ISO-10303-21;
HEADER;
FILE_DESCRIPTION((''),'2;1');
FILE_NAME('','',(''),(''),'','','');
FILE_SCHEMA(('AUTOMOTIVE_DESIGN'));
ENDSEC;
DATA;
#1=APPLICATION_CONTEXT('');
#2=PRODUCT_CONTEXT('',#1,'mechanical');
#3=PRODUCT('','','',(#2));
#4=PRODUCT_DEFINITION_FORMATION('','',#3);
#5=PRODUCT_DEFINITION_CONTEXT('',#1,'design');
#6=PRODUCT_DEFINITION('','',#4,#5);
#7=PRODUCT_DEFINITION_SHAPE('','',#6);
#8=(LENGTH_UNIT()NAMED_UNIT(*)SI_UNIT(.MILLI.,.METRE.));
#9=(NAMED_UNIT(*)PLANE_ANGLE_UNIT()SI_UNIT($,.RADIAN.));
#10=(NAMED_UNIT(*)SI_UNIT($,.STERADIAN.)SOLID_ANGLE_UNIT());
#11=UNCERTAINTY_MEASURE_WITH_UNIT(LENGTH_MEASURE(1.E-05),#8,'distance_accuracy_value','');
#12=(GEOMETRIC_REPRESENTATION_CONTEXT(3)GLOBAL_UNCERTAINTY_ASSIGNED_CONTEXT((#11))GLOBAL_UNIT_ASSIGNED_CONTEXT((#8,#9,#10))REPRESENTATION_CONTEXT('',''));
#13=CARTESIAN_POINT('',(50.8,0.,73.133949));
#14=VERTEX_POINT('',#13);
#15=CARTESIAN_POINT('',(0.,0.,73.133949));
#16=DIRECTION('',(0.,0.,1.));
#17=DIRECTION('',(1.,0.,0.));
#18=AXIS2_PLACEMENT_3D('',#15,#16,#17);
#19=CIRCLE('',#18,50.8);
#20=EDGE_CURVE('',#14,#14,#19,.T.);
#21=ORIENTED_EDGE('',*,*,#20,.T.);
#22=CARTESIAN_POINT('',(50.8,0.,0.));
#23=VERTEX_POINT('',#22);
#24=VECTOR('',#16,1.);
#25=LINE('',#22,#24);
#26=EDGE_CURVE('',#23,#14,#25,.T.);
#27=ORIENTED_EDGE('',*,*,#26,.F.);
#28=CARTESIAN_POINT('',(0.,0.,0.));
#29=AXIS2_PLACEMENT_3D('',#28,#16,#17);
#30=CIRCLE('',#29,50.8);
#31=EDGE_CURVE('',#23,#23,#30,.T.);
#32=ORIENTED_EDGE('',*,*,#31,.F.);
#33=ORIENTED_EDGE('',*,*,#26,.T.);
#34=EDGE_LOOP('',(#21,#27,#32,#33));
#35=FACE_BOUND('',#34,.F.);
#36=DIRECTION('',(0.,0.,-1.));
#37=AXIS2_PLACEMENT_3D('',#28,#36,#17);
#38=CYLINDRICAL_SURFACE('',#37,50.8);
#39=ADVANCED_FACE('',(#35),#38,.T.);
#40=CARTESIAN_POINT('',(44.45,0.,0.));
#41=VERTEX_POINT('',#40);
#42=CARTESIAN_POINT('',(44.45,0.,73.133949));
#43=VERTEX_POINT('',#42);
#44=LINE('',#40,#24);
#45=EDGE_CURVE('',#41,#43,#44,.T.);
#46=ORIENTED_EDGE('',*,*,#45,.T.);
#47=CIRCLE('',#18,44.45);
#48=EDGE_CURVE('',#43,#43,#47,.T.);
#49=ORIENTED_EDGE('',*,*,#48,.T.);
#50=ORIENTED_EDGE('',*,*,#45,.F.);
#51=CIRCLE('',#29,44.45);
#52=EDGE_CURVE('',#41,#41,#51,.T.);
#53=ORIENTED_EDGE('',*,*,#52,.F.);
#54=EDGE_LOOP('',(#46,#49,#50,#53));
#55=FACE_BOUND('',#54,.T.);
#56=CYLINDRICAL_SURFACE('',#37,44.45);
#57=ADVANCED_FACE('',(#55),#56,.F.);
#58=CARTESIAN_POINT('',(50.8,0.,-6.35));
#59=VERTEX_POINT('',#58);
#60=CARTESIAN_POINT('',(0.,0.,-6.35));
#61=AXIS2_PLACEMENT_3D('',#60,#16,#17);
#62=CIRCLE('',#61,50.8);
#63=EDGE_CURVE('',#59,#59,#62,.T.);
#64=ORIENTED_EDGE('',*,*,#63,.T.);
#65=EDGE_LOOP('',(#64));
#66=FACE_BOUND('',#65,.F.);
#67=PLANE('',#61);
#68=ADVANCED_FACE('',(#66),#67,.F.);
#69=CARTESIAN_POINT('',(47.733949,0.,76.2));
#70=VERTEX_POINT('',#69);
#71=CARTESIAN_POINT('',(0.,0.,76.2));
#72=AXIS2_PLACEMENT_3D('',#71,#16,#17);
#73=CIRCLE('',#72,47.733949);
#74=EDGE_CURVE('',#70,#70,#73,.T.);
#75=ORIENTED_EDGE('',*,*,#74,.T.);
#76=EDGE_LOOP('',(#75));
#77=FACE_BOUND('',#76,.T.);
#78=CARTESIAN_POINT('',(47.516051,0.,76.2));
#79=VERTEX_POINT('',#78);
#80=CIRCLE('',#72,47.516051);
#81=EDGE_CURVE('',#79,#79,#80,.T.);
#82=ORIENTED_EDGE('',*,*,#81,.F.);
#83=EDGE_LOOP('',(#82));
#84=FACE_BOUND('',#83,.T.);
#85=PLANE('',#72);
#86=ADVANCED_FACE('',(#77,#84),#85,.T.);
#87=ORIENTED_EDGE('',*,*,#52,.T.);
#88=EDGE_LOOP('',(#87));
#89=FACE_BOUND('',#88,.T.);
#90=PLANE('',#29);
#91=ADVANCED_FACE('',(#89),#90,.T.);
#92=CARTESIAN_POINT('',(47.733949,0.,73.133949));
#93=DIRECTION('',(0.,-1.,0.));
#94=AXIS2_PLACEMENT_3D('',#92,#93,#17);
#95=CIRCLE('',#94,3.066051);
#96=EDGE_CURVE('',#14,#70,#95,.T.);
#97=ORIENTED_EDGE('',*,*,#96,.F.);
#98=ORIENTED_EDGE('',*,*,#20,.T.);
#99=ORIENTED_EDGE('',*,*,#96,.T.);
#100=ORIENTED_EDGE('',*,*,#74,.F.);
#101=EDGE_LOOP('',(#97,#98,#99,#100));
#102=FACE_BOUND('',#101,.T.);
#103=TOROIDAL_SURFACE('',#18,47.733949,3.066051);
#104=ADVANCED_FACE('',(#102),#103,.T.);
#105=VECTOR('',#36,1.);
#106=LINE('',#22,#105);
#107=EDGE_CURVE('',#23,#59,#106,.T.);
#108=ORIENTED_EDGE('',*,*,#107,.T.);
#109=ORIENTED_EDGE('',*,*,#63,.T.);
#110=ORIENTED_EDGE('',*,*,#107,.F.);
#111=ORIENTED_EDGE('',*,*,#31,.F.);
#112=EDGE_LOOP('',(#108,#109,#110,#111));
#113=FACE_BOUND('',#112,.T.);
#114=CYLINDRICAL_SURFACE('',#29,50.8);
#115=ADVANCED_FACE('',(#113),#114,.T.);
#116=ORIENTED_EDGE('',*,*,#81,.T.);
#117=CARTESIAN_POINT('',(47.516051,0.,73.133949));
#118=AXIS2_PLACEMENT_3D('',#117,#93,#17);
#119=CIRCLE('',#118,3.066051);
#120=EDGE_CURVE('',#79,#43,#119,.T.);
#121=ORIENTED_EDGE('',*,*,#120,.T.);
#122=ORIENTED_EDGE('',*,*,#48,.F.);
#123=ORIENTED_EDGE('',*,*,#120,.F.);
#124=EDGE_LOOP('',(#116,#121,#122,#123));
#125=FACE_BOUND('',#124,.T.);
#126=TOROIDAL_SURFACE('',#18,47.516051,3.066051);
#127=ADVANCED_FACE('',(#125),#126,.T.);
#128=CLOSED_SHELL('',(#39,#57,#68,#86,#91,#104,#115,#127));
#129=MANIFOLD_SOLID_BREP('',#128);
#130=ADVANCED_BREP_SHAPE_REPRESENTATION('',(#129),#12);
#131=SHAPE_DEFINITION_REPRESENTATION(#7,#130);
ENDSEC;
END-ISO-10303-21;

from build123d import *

# Parameters (mm, degrees)
F0_R     = 50.8
F1_DEPTH = 6.35
F2_R     = 50.8
F2_R_2   = 44.45
F3_DEPTH = 76.2
F4_R     = 3.066051
F5_R     = 3.066051


with BuildPart() as f1:
    # F0 (on Top) → F1 (new body)
    with BuildSketch(Plane.XY):
        Circle(F0_R)
    extrude(amount=-F1_DEPTH)

    # F2 (on face) → F3 (join)
    with BuildSketch(Plane.XY):
        Circle(F2_R)
        Circle(F2_R_2, mode=Mode.SUBTRACT)
    extrude(amount=F3_DEPTH)

    # F4
    f4_edges = [f1.edges().sort_by_distance(p)[0] for p in [
        (-50.8, 0, 76.2),
    ]]
    fillet(f4_edges, radius=F4_R)

    # F5
    f5_edges = [f1.edges().sort_by_distance(p)[0] for p in [
        (-44.45, 0, 76.2),
    ]]
    fillet(f5_edges, radius=F5_R)


solid = f1.part
